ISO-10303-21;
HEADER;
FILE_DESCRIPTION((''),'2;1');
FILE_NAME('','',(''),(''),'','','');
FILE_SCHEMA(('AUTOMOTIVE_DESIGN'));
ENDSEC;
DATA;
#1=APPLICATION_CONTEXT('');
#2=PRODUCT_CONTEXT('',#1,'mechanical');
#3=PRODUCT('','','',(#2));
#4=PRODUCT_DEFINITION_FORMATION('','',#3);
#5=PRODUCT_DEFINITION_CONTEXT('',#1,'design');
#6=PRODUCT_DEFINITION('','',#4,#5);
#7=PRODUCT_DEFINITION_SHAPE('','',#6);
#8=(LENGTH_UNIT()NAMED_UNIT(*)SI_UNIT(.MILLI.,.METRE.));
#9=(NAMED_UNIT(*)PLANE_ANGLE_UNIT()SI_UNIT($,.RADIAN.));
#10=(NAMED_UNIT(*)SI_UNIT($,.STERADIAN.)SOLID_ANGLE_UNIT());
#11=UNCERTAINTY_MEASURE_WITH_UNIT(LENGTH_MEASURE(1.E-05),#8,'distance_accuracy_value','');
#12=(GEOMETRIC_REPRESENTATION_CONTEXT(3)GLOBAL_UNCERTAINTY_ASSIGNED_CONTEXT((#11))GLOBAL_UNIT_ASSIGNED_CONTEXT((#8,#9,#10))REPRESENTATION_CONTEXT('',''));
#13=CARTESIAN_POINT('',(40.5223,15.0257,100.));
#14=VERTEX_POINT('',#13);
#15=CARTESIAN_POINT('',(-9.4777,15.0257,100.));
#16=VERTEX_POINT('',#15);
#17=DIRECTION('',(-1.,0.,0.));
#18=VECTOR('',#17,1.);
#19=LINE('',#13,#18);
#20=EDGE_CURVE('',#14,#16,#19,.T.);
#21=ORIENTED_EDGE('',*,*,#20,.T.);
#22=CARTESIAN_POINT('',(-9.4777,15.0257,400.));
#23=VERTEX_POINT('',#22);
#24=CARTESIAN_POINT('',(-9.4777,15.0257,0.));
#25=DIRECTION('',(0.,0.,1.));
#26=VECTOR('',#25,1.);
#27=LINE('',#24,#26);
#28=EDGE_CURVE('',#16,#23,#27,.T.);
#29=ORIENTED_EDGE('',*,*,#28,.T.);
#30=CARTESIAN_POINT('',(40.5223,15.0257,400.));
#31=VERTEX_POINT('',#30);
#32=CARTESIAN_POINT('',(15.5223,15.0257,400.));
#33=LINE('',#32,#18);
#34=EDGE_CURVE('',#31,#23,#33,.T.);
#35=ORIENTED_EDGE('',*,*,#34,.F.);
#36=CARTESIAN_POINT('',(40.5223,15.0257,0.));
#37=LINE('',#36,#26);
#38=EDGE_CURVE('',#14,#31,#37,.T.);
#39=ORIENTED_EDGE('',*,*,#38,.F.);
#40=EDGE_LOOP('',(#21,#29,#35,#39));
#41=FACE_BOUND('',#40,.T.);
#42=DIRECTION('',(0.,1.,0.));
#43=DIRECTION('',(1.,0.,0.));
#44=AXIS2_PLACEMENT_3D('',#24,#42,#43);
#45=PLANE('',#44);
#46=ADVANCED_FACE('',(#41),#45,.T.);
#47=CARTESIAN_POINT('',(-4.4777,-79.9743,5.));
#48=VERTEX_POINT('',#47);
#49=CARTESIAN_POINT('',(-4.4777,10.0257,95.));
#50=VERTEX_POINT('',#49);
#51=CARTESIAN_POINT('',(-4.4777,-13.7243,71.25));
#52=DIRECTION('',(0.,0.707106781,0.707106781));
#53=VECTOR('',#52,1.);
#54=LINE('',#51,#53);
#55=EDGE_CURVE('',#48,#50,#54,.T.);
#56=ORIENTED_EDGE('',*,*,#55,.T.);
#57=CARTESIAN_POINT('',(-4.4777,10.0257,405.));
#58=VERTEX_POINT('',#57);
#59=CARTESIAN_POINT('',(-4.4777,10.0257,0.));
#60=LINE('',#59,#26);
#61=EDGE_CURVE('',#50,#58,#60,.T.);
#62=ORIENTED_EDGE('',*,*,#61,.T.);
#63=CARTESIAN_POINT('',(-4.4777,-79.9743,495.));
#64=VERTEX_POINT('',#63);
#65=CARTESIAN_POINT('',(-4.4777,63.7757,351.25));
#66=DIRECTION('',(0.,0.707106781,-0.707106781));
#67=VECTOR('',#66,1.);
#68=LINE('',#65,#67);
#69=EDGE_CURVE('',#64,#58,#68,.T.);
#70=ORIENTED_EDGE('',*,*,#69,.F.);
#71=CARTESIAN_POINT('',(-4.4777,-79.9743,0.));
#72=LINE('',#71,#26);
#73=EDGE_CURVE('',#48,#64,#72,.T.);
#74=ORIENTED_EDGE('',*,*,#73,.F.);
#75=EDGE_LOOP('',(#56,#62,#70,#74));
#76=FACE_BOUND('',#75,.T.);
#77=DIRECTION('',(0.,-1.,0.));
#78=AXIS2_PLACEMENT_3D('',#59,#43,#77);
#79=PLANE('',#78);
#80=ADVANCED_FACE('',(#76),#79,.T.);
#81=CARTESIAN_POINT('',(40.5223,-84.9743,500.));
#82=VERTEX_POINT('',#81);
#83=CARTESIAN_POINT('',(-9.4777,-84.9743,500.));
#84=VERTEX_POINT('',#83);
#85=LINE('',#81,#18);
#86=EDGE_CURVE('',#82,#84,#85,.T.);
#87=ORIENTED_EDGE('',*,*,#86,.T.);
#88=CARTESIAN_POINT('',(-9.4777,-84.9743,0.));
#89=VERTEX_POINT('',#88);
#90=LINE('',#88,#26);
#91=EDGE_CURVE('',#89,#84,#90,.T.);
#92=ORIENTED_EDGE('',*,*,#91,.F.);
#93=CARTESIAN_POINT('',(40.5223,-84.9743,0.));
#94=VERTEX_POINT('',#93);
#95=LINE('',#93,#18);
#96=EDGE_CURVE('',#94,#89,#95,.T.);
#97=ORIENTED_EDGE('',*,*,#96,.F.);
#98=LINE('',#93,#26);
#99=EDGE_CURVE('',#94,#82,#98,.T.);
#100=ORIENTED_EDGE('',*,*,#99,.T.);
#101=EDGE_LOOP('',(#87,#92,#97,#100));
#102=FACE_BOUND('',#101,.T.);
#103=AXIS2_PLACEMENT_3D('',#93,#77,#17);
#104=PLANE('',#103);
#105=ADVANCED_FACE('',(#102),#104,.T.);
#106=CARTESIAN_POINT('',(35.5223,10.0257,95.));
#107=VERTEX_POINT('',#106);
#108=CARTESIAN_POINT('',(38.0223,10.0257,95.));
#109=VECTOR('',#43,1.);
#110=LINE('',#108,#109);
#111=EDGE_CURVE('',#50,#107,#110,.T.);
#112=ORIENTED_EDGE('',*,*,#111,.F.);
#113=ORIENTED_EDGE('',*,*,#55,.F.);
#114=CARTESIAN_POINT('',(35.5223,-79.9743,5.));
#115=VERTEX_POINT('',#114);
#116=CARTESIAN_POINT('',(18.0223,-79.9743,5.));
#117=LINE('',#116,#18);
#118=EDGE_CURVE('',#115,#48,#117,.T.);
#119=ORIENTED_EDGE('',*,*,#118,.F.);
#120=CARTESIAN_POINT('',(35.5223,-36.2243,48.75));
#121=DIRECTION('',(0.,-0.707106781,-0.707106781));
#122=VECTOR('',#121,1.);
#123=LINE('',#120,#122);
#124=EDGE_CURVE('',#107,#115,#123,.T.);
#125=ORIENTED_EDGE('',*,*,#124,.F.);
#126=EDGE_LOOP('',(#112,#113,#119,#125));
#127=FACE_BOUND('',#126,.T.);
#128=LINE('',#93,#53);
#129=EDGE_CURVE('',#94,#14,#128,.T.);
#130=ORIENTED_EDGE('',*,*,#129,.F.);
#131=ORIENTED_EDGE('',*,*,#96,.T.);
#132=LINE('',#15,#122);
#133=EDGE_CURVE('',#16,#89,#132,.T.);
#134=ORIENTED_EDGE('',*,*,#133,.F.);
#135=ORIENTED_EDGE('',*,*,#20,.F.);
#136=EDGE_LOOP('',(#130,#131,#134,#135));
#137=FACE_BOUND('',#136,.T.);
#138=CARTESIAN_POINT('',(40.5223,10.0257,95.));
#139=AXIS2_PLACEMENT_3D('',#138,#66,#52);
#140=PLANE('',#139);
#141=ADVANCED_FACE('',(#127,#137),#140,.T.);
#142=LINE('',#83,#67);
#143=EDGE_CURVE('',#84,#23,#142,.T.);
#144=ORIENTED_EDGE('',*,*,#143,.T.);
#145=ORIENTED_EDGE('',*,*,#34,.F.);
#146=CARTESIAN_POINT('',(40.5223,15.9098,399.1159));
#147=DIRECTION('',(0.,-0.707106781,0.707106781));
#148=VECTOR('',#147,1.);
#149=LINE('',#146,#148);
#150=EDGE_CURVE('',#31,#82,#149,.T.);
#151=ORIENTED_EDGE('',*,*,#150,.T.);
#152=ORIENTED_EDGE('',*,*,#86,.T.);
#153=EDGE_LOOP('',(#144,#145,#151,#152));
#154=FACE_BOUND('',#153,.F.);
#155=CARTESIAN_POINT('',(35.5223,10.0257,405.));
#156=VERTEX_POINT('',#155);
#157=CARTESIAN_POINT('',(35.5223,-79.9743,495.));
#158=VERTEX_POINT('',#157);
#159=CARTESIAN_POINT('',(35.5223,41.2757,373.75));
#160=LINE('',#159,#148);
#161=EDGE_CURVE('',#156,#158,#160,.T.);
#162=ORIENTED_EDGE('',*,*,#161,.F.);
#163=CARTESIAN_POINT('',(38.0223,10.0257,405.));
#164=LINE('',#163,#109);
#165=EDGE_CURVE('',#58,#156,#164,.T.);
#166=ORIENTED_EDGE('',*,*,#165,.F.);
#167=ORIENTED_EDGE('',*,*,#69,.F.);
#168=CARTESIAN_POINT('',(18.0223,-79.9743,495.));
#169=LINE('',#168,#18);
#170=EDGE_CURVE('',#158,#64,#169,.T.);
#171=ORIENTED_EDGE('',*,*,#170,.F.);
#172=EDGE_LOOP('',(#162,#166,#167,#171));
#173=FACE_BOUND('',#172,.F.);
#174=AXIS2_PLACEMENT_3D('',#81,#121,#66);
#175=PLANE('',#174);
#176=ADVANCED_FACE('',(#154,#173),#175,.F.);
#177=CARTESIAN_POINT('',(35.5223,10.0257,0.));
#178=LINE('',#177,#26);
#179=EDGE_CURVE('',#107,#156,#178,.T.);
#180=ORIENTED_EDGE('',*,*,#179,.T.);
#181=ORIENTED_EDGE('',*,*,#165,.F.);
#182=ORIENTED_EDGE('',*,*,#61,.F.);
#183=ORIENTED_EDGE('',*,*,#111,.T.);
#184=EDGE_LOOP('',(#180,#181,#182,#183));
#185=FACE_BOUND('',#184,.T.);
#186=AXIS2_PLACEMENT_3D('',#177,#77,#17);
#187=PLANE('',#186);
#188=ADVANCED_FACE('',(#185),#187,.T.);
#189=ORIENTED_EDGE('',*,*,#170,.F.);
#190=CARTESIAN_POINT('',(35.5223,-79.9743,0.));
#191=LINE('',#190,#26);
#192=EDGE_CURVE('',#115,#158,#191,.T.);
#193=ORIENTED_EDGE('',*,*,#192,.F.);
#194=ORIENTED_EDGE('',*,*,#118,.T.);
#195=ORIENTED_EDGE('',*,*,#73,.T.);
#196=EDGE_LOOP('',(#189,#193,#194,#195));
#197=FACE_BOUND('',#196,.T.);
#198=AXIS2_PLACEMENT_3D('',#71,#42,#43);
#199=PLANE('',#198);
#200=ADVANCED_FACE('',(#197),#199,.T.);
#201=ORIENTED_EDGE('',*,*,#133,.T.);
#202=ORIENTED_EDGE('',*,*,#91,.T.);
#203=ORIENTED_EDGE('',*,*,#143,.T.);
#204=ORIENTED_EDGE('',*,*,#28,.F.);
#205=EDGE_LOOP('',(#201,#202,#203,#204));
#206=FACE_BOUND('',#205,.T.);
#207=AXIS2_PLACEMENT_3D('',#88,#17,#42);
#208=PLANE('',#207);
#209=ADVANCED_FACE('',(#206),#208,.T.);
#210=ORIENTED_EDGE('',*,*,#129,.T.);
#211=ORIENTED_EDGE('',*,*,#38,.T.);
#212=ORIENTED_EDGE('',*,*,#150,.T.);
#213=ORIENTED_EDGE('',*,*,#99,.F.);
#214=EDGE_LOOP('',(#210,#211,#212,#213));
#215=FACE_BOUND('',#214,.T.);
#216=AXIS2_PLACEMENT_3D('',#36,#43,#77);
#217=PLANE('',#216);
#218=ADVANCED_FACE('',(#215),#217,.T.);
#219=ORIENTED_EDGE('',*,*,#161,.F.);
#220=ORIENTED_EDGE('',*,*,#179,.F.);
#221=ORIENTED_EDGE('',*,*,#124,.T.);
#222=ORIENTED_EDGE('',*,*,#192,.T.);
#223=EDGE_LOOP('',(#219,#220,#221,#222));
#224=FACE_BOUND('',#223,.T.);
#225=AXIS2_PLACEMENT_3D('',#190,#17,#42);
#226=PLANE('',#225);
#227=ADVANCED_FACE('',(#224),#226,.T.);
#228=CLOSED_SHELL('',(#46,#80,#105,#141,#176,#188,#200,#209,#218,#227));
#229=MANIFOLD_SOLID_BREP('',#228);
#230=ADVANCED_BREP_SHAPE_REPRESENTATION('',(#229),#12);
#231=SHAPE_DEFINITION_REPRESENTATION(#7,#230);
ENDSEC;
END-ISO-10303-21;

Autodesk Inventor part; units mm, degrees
ref_plane "YZ Plane" through (0, 0, 0) normal (1, 0, 0) x (0, 1, 0)
ref_plane "XZ Plane" through (0, 0, 0) normal (0, 1, 0) x (-1, 0, 0)
ref_plane "XY Plane" through (0, 0, 0) normal (0, 0, 1) x (1, 0, 0)
sketch "Sketch1" plane through (0, 0, 0) normal (0, 0, 1) x (1, 0, 0)
  line L0 (-9.4777, 15.0257) -> (40.5223, 15.0257)
  line L1 (40.5223, 15.0257) -> (40.5223, -84.9743)
  line L2 (40.5223, -84.9743) -> (-9.4777, -84.9743)
  line L3 (-9.4777, -84.9743) -> (-9.4777, 15.0257)
  line L4 (35.5223, 10.0257) -> (-4.4777, 10.0257)
  line L5 (-4.4777, 10.0257) -> (-4.4777, -79.9743)
  line L6 (-4.4777, -79.9743) -> (35.5223, -79.9743)
  line L7 (35.5223, -79.9743) -> (35.5223, 10.0257)
  point P0 (0, 0)
  point P1 (0, 0)
  dimension "d0" = 50
  dimension "d1" = 100
  dimension "d2" = 5
  dimension "d3" = 90
  dimension "d4" = 5
  dimension "d5" = 40
extrude "Extrusion1" add sketch "Sketch1" along normal blind 500
sketch "Sketch2" plane through (40.5223, -84.9743, 0) normal (1, 0, 0) x (0, 0, -1)
  line L0 (-500, 0) -> (-500, 100) projected
  line L1 (-500, 0) -> (-399.1159, 100.8841)
  line L2 (-500, 0) -> (-357.3284, 0) construction
  line L3 (-399.1159, 100.8841) -> (-500, 100.8841)
  line L4 (0, 95) -> (-500, 95) projected
  line L5 (-500, 100.8841) -> (-500, 0)
  line L6 (0, 0) -> (0, 100) projected
  line L7 (0, 0) -> (-100, 100)
  line L8 (0, 0) -> (141.4214, 0) construction
  line L9 (-100, 100) -> (0, 100)
  line L10 (0, 100) -> (0, 0)
  point P0 (0, 84.9743)
  point P1 (-405, 95)
  dimension "d8" = 45
  dimension "d9" = 135
extrude "Extrusion2" cut sketch "Sketch2" against normal blind 50
properties part number "PerfilD1"
